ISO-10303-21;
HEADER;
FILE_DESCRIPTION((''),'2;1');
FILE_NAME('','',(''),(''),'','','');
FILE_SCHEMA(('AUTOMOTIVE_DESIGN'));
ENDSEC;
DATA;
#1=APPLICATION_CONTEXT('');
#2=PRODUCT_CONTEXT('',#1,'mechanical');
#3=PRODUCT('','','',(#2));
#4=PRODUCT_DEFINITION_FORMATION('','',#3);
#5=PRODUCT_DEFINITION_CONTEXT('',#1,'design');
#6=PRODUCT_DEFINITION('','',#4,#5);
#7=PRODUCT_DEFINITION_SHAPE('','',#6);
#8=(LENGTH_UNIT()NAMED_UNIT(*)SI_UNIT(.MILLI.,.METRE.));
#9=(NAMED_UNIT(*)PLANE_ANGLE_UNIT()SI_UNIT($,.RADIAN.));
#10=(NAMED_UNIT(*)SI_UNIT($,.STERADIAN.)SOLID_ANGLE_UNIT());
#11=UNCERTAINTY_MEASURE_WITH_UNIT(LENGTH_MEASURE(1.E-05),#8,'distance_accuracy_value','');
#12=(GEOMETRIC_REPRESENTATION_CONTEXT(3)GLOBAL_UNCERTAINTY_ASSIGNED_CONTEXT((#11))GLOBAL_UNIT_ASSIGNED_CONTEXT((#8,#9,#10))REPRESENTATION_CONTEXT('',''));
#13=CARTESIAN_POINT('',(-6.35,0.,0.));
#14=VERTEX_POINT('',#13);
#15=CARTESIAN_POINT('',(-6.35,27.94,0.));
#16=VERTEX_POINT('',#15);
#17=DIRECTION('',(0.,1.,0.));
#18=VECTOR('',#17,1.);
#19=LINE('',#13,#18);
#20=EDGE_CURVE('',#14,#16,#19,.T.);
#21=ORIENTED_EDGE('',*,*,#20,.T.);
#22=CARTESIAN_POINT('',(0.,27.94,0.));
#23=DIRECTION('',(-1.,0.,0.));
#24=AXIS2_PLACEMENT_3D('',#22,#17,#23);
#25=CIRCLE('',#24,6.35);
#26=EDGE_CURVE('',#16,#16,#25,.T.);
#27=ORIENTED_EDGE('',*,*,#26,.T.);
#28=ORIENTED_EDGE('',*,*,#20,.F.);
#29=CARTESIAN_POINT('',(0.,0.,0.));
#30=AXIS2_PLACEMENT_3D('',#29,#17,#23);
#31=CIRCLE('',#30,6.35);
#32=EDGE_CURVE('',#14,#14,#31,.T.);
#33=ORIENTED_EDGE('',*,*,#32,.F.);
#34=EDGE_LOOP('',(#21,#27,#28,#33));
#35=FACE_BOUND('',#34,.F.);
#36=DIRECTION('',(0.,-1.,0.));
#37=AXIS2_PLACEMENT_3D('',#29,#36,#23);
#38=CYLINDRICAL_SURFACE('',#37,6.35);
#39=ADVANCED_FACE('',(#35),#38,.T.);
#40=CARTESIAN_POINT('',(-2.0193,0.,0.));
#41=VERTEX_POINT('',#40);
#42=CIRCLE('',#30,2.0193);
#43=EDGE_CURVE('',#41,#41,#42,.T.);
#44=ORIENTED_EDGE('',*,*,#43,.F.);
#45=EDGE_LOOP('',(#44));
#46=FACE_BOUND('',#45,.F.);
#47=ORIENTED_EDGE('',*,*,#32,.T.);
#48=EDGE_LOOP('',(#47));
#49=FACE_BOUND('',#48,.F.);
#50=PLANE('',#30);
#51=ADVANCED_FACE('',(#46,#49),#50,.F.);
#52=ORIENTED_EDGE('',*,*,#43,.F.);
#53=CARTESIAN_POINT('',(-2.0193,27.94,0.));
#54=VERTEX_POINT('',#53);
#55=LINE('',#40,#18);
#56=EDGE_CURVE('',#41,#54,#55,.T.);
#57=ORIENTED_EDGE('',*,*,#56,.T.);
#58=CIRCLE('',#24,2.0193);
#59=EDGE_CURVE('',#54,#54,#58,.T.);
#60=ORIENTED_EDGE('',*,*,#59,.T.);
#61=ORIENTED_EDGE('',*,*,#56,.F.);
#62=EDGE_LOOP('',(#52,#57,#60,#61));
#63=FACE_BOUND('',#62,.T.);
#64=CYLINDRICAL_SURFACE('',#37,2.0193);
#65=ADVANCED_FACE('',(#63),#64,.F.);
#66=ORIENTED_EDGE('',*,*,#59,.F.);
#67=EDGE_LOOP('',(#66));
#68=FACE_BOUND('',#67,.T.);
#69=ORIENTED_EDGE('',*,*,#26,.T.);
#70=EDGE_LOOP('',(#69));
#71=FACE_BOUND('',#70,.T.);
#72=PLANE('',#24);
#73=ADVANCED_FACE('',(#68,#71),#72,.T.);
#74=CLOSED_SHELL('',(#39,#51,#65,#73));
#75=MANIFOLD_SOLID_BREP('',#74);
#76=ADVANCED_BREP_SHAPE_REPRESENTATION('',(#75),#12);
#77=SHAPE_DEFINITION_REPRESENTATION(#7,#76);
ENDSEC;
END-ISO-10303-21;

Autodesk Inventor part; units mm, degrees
ref_plane "YZ Plane" through (0, 0, 0) normal (1, 0, 0) x (0, 1, 0)
ref_plane "XZ Plane" through (0, 0, 0) normal (0, 1, 0) x (-1, 0, 0)
ref_plane "XY Plane" through (0, 0, 0) normal (0, 0, 1) x (1, 0, 0)
sketch "Sketch1" plane through (0, 0, 0) normal (0, 1, 0) x (-1, 0, 0)
  circle A0 centre (0, 0) radius 2.0193
  circle A1 centre (0, 0) radius 6.35
  dimension "d0" = 4.0386
  dimension "d1" = 12.7
extrude "Extrusion1" add sketch "Sketch1" along normal blind 27.94
thread "Thread1" size "10-32 UNF" class "2B" standard "ANSI Unified Screw Threads" full length
properties part number "Gearbox4_002_Standoff"
